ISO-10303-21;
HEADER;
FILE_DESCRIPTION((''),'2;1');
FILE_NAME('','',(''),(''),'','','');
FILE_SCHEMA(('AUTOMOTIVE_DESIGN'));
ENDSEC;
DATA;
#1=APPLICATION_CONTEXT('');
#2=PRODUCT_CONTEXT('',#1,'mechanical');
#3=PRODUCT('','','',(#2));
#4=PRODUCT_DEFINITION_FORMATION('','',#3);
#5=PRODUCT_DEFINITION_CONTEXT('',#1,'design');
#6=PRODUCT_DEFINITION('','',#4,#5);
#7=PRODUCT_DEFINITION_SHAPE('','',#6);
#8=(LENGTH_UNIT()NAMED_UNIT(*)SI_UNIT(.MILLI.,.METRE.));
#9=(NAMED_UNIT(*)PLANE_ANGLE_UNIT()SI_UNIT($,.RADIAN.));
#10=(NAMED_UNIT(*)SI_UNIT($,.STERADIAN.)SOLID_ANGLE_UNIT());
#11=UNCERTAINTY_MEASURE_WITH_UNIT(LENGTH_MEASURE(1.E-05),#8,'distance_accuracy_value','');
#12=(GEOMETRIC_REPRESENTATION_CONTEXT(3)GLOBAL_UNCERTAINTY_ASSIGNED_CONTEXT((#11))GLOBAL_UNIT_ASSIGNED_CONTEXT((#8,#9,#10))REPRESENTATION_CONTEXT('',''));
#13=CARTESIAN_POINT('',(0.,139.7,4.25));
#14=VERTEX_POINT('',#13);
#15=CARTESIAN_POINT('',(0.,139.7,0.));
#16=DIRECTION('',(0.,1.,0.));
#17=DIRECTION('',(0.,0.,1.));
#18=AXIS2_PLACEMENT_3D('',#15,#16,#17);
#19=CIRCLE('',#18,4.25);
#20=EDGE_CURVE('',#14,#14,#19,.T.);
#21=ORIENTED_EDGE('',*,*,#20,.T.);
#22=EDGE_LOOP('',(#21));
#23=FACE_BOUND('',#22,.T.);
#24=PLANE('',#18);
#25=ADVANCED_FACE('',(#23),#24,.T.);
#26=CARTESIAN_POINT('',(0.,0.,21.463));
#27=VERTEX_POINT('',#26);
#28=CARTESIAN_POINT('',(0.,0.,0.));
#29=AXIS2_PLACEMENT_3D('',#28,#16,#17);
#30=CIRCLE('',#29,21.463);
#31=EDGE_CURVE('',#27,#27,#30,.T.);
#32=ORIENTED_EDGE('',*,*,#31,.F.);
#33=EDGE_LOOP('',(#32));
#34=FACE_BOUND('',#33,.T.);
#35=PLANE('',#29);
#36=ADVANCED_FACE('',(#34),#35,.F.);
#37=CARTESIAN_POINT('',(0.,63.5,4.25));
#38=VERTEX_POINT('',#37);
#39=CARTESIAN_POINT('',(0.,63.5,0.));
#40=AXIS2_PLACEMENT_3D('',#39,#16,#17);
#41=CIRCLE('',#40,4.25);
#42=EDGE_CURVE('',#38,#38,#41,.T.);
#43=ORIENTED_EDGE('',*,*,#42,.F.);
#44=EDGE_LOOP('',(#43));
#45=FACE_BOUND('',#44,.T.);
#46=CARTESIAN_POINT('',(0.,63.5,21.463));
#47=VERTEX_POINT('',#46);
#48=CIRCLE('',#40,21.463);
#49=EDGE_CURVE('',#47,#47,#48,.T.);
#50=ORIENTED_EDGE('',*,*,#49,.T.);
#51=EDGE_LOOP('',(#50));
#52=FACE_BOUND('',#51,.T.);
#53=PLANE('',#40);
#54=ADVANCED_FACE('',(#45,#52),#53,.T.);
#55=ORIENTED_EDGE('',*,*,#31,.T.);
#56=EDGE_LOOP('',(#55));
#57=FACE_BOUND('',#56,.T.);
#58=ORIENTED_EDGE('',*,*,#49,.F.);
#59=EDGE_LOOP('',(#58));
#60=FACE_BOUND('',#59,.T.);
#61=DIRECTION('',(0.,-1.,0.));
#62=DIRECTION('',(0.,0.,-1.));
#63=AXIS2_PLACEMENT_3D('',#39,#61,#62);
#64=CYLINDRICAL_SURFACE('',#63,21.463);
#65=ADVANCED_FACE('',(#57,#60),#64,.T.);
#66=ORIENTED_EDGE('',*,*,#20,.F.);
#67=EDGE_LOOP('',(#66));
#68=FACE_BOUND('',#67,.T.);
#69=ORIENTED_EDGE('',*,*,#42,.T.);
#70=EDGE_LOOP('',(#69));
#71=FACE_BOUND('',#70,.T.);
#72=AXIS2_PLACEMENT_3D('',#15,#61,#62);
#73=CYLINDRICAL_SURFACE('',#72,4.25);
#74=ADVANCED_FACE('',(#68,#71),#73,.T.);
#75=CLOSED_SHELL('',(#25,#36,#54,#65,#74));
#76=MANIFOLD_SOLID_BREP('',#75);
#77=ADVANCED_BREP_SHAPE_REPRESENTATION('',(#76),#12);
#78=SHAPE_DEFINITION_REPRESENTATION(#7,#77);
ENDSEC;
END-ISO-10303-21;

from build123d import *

# Parameters (mm, degrees)
SKETCH1_R           = 21.463
BOSS_EXTRUDE1_DEPTH = 63.5
SKETCH2_R           = 4.25
BOSS_EXTRUDE2_DEPTH = 76.2


with BuildPart() as part:
    # Sketch1 → Boss-Extrude1 (new body)
    with BuildSketch(Plane(origin=(0, 0, 0), x_dir=(1, 0, 0), z_dir=(0, 1, 0))):
        Circle(SKETCH1_R)
    extrude(amount=BOSS_EXTRUDE1_DEPTH)

    # Sketch2 → Boss-Extrude2 (add)
    with BuildSketch(Plane(origin=(0, 63.5, 0), x_dir=(1, 0, 0), z_dir=(0, 1, 0))):
        Circle(SKETCH2_R)
    extrude(amount=BOSS_EXTRUDE2_DEPTH)


solid = part.part
